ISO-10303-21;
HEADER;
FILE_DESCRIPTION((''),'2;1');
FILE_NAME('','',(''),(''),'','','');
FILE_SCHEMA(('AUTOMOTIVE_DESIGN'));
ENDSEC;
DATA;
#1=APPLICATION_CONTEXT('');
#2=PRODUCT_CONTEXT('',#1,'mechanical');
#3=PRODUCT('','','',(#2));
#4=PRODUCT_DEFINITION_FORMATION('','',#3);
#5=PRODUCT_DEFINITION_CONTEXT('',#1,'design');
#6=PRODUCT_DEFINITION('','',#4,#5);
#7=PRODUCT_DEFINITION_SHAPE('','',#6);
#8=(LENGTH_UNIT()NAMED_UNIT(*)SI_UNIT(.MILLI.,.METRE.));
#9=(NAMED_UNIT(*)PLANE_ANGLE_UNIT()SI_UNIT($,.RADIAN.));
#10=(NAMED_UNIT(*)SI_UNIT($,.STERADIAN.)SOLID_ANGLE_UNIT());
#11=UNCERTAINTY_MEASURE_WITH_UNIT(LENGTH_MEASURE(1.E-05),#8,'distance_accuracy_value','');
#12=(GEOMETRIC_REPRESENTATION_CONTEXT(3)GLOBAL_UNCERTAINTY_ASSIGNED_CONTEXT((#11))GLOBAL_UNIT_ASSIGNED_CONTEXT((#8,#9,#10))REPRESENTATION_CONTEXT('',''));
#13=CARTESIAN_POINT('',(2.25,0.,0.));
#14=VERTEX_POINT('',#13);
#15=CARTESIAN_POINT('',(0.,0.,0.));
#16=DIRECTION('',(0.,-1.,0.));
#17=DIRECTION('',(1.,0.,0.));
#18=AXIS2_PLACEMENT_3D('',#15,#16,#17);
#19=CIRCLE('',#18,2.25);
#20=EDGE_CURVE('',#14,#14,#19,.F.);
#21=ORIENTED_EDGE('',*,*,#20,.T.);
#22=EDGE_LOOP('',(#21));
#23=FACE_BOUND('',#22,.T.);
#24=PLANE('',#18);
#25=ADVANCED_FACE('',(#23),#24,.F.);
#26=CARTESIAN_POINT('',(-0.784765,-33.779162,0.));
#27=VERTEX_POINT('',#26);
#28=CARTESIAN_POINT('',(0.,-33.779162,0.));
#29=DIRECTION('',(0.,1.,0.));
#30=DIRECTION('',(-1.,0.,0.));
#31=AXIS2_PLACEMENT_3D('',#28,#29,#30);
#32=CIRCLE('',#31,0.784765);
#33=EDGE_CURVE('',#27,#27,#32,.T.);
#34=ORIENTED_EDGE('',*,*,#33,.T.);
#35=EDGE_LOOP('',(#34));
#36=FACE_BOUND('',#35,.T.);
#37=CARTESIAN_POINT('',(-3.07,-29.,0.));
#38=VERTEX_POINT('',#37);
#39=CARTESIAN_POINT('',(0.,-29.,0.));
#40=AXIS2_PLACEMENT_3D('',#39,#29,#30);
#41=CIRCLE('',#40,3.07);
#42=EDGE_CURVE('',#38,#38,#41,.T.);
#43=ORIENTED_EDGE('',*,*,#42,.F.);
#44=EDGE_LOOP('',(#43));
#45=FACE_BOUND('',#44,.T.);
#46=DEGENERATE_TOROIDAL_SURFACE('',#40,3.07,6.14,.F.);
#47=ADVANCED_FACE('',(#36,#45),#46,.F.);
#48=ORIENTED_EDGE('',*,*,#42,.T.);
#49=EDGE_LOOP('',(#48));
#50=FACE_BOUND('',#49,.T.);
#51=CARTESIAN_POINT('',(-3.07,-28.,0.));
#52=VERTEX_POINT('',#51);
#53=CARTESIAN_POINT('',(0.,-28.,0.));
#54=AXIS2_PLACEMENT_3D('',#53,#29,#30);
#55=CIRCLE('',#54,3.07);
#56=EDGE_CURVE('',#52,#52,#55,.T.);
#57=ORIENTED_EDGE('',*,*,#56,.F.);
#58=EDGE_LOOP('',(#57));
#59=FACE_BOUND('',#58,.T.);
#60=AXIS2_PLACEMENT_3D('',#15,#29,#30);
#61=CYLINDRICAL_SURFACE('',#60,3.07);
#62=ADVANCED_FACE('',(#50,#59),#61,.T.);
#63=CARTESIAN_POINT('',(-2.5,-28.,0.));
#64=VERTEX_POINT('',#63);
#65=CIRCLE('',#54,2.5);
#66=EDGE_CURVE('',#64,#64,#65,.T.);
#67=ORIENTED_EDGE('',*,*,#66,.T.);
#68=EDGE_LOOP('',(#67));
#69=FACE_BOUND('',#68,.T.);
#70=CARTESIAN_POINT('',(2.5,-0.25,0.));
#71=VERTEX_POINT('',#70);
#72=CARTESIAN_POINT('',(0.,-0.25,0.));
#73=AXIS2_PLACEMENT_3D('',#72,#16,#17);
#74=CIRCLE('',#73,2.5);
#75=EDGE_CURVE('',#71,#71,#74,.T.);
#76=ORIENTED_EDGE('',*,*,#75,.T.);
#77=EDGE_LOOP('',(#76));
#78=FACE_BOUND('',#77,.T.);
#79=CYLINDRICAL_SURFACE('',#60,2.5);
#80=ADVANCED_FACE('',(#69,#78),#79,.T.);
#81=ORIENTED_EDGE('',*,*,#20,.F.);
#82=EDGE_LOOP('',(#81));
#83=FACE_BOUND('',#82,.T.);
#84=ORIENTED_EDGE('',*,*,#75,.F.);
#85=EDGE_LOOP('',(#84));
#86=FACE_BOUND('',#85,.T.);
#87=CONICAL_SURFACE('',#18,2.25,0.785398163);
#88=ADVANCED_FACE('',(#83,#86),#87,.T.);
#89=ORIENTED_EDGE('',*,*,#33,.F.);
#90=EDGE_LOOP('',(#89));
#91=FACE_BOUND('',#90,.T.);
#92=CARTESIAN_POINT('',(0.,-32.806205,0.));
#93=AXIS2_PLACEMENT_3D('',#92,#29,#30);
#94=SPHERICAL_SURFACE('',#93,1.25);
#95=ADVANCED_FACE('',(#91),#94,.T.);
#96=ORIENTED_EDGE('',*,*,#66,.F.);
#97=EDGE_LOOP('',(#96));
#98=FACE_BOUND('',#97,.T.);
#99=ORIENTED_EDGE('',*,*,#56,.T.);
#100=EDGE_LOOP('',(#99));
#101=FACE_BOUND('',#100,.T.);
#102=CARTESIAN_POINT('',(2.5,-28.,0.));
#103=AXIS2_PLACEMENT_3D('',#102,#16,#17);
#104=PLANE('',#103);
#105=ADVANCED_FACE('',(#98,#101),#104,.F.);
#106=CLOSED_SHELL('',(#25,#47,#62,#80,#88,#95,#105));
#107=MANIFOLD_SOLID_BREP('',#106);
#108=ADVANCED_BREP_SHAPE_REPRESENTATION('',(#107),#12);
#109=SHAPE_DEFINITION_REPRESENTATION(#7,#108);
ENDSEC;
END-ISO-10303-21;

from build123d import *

# Parameters (mm, degrees)
CHAMFER1_SIZE = 0.25


with BuildPart() as part:
    # Sketch1 → Revolve1 (revolve)
    with BuildSketch(Plane.XY, mode=Mode.PRIVATE) as revolve1_sk:
        with BuildLine():
            Line((0, 0), (2.5, 0))
            Line((2.5, 0), (2.5, -28))
            Line((2.5, -28), (3.07, -28))
            Line((3.07, -28), (3.07, -29))
            ThreePointArc((3.07, -29), (2.469307539, -31.648711382), (0.784764826, -33.779161865))
            ThreePointArc((0.784764826, -33.779161865), (0.416115665, -33.984911425), (0, -34.05620546))
            Line((0, -34.05620546), (0, 0))
        make_face()
    revolve(revolve1_sk.sketch.rotate(Axis((0, 0, 0), (0, -1, 0)), 180), axis=Axis((0, 0, 0), (0, -1, 0)))

    # Chamfer1
    chamfer1_edges = [part.edges().sort_by_distance(p)[0] for p in [
        (2.5, 0, 0),
    ]]
    chamfer(chamfer1_edges, length=CHAMFER1_SIZE)


solid = part.part
